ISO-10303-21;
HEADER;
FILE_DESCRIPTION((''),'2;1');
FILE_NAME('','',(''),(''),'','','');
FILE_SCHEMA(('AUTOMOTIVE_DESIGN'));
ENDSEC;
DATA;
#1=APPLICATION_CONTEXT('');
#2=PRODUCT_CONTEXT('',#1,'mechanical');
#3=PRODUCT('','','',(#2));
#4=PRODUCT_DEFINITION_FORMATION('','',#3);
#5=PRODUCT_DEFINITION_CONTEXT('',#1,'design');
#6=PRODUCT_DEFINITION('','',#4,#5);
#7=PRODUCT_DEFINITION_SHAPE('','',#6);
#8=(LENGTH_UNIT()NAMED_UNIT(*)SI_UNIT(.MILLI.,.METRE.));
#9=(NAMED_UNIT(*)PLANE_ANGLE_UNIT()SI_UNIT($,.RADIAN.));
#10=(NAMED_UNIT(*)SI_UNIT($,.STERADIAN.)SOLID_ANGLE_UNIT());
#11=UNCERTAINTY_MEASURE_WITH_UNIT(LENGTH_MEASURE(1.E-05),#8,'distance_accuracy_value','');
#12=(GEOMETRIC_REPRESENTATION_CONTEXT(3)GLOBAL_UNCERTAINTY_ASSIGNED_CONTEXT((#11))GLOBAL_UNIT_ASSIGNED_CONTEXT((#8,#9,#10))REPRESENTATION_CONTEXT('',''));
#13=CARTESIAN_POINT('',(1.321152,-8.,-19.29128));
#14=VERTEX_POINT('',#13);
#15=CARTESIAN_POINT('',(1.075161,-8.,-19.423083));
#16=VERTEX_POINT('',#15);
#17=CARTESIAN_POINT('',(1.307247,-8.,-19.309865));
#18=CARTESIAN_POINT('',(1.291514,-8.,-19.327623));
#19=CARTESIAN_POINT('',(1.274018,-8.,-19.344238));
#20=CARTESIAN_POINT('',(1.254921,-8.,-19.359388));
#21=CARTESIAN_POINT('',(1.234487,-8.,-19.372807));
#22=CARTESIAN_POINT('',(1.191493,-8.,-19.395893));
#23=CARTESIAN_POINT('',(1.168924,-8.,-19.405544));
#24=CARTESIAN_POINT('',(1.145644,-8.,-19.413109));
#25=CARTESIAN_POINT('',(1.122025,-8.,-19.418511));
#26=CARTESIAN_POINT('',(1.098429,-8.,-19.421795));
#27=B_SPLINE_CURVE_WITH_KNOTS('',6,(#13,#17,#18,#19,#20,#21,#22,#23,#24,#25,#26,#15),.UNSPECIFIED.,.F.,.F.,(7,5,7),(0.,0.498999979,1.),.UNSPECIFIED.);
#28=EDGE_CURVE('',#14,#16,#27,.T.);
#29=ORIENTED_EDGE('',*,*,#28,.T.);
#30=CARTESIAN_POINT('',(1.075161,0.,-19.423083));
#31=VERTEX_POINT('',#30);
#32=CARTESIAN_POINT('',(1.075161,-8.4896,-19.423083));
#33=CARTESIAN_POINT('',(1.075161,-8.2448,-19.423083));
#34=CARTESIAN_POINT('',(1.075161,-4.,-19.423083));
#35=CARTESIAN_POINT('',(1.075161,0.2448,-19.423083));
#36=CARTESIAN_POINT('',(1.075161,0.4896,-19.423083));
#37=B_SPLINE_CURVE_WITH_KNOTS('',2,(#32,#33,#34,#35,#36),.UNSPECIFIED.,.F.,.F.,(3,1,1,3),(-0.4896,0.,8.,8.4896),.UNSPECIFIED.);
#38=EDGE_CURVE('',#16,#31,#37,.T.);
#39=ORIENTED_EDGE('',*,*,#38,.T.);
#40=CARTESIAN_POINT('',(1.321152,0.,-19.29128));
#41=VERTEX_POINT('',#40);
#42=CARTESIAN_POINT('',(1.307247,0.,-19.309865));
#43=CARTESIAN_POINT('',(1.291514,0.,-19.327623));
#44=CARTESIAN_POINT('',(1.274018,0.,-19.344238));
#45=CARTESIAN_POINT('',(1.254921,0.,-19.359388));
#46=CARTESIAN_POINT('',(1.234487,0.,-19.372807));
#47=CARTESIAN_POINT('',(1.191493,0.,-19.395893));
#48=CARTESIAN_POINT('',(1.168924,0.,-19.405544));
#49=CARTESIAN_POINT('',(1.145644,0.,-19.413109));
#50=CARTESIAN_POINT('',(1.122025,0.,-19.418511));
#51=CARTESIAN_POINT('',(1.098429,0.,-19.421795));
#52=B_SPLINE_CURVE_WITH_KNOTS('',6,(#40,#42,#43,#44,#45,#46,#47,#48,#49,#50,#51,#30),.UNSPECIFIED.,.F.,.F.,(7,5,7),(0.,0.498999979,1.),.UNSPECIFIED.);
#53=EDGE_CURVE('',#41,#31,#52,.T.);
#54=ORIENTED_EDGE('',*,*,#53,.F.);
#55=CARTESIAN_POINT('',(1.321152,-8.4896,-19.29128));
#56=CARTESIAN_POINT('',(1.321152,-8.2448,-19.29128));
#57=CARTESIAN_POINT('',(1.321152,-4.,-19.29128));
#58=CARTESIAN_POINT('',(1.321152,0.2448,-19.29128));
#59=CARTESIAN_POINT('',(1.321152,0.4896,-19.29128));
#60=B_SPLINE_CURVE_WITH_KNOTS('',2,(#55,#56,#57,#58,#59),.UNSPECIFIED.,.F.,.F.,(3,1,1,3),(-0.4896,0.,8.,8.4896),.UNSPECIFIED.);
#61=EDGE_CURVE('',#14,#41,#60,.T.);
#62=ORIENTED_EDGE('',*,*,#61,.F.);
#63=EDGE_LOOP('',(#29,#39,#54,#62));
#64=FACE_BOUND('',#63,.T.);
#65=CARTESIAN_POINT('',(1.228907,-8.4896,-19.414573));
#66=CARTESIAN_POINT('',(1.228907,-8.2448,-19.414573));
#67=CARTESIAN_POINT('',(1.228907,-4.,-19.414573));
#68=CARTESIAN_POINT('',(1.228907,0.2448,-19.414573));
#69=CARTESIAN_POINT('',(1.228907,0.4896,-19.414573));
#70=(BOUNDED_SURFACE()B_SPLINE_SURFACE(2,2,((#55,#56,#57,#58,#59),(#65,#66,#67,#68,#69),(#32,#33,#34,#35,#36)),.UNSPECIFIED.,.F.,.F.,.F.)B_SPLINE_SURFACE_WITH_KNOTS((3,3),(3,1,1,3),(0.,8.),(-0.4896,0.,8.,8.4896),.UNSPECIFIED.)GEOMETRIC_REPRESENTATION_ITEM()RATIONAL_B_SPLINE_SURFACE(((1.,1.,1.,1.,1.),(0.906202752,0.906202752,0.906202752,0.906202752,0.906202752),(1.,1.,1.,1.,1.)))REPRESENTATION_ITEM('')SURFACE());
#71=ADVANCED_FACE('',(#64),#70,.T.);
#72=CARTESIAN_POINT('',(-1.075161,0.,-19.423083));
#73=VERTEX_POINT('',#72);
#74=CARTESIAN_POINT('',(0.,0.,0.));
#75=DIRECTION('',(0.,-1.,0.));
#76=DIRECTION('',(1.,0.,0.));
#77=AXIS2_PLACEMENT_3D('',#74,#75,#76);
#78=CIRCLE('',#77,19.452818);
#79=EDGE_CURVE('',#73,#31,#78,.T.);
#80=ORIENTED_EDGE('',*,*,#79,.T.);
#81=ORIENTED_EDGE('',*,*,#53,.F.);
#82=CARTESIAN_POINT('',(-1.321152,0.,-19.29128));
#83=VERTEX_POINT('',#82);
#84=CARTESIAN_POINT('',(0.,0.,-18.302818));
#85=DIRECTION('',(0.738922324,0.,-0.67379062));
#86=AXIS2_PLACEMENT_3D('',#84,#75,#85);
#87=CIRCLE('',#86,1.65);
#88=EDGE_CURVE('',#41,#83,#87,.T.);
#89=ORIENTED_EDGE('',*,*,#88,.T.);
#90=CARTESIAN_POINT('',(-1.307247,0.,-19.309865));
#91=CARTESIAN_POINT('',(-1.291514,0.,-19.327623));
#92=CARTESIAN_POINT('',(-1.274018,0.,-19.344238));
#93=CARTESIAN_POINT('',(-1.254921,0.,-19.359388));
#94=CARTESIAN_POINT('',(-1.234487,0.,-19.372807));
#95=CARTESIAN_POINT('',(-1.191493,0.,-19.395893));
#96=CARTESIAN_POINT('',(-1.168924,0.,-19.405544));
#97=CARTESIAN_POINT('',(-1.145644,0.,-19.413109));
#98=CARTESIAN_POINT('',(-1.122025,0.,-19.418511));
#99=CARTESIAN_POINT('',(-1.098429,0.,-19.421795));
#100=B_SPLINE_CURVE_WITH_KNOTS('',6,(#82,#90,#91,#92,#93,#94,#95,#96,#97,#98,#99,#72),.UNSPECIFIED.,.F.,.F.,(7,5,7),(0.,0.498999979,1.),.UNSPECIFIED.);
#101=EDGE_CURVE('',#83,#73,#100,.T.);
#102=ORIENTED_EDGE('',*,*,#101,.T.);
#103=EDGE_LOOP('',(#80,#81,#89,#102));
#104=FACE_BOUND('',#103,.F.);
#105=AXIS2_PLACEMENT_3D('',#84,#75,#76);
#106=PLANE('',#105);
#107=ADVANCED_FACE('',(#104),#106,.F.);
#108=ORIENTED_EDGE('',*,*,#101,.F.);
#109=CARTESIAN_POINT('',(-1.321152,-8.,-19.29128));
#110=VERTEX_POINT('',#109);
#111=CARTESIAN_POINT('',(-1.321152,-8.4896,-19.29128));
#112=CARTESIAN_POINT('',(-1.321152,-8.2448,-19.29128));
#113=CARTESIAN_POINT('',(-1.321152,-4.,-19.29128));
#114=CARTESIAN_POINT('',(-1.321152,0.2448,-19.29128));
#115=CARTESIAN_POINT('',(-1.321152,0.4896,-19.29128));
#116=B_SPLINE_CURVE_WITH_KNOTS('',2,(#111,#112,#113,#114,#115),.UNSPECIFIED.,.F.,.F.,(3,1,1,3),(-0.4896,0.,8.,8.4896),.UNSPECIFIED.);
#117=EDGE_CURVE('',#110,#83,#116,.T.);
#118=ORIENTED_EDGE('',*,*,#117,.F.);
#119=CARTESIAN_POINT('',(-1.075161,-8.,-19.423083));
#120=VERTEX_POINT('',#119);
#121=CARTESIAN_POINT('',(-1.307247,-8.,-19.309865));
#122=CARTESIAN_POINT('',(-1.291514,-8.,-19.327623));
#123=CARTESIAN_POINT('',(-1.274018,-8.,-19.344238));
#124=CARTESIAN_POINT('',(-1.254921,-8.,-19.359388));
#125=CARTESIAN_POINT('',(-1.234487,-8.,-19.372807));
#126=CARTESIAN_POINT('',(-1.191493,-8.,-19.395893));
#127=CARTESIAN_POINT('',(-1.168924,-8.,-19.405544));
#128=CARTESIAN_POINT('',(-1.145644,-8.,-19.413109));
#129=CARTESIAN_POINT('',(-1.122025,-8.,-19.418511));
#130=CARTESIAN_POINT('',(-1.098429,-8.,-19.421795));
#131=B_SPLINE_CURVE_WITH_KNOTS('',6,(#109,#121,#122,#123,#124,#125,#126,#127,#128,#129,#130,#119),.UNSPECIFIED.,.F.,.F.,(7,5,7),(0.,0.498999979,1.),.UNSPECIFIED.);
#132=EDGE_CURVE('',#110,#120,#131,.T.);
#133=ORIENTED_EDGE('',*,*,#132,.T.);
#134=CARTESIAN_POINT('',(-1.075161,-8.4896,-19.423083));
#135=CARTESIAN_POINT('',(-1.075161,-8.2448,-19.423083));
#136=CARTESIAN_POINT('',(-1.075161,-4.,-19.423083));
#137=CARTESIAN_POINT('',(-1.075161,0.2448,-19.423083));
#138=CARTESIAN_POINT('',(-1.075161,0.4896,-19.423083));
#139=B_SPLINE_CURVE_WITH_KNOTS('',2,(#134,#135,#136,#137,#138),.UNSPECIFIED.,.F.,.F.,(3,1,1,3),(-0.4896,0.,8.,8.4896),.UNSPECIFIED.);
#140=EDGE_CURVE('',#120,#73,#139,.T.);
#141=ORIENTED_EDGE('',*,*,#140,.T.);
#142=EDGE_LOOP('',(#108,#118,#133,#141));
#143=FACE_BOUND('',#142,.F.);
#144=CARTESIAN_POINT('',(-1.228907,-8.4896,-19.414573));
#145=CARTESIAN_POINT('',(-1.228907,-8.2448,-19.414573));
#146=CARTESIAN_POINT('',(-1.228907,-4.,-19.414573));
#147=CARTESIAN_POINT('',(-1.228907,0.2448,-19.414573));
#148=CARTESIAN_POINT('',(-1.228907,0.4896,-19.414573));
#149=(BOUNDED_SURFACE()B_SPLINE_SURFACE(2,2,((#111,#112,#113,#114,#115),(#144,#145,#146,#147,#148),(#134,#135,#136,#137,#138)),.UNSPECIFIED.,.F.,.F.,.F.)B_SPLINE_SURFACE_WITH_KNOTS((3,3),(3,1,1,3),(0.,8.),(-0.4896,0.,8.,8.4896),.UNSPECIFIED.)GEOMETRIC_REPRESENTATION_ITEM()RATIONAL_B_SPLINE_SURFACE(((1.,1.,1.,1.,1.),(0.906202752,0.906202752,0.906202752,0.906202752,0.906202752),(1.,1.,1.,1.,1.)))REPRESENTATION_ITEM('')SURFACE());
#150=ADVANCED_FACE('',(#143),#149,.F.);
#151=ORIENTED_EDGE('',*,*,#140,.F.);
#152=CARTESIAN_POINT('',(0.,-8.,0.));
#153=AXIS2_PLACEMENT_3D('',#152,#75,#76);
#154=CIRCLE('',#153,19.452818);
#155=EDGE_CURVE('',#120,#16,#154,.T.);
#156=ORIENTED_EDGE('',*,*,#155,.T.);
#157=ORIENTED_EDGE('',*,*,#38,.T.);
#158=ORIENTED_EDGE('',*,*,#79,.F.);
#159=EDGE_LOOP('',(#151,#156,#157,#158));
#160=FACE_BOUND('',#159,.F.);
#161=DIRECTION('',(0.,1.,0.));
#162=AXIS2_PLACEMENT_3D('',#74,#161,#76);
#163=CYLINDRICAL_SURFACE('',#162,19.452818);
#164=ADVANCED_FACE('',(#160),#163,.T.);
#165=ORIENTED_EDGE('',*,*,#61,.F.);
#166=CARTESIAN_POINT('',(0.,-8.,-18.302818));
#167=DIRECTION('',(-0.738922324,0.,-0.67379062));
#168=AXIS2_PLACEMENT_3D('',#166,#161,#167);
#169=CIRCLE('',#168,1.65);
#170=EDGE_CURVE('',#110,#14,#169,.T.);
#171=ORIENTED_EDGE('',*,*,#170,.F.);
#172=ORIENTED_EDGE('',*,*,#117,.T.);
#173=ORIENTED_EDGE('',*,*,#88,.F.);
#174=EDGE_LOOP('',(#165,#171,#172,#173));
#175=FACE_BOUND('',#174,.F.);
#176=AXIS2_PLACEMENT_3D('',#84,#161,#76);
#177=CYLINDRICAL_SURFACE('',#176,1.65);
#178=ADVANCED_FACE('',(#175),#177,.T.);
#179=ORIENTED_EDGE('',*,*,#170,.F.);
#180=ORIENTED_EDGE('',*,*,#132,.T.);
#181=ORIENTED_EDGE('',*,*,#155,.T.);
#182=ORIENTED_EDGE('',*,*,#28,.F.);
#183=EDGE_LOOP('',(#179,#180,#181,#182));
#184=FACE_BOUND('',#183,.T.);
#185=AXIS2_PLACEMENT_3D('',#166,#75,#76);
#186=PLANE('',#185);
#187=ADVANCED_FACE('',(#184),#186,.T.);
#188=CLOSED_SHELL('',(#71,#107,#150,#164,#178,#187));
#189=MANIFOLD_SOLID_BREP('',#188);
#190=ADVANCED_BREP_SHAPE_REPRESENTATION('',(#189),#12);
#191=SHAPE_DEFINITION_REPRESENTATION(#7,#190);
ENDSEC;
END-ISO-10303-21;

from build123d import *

# Parameters (mm, degrees)
CYLINDER001_R     = 19.452818
CYLINDER001_DEPTH = 8
CYLINDER_R        = 1.65
CYLINDER_DEPTH    = 8
FILLET002_R       = 0.33


with BuildPart() as trimcylinder:
    # Cylinder001 → Cylinder001 (new body)
    with BuildSketch(Plane.XZ):
        Circle(CYLINDER001_R)
    extrude(amount=CYLINDER001_DEPTH)


with BuildPart() as pinion_tooth_with_dust_relief:
    # Cylinder → Cylinder (new body)
    with BuildSketch(Plane(origin=(0, 0, -18.302818), x_dir=(1, 0, 0), z_dir=(0, -1, 0))):
        Circle(CYLINDER_R)
    extrude(amount=CYLINDER_DEPTH)

    # Common: intersect TrimCylinder
    add(trimcylinder.part, mode=Mode.INTERSECT)

    # Fillet002
    fillet002_edges = [pinion_tooth_with_dust_relief.edges().sort_by_distance(p)[0] for p in [
        (-1.219222, -4, -19.414573),
        (1.219222, -4, -19.414573),
    ]]
    fillet(fillet002_edges, radius=FILLET002_R)


solid = pinion_tooth_with_dust_relief.part
